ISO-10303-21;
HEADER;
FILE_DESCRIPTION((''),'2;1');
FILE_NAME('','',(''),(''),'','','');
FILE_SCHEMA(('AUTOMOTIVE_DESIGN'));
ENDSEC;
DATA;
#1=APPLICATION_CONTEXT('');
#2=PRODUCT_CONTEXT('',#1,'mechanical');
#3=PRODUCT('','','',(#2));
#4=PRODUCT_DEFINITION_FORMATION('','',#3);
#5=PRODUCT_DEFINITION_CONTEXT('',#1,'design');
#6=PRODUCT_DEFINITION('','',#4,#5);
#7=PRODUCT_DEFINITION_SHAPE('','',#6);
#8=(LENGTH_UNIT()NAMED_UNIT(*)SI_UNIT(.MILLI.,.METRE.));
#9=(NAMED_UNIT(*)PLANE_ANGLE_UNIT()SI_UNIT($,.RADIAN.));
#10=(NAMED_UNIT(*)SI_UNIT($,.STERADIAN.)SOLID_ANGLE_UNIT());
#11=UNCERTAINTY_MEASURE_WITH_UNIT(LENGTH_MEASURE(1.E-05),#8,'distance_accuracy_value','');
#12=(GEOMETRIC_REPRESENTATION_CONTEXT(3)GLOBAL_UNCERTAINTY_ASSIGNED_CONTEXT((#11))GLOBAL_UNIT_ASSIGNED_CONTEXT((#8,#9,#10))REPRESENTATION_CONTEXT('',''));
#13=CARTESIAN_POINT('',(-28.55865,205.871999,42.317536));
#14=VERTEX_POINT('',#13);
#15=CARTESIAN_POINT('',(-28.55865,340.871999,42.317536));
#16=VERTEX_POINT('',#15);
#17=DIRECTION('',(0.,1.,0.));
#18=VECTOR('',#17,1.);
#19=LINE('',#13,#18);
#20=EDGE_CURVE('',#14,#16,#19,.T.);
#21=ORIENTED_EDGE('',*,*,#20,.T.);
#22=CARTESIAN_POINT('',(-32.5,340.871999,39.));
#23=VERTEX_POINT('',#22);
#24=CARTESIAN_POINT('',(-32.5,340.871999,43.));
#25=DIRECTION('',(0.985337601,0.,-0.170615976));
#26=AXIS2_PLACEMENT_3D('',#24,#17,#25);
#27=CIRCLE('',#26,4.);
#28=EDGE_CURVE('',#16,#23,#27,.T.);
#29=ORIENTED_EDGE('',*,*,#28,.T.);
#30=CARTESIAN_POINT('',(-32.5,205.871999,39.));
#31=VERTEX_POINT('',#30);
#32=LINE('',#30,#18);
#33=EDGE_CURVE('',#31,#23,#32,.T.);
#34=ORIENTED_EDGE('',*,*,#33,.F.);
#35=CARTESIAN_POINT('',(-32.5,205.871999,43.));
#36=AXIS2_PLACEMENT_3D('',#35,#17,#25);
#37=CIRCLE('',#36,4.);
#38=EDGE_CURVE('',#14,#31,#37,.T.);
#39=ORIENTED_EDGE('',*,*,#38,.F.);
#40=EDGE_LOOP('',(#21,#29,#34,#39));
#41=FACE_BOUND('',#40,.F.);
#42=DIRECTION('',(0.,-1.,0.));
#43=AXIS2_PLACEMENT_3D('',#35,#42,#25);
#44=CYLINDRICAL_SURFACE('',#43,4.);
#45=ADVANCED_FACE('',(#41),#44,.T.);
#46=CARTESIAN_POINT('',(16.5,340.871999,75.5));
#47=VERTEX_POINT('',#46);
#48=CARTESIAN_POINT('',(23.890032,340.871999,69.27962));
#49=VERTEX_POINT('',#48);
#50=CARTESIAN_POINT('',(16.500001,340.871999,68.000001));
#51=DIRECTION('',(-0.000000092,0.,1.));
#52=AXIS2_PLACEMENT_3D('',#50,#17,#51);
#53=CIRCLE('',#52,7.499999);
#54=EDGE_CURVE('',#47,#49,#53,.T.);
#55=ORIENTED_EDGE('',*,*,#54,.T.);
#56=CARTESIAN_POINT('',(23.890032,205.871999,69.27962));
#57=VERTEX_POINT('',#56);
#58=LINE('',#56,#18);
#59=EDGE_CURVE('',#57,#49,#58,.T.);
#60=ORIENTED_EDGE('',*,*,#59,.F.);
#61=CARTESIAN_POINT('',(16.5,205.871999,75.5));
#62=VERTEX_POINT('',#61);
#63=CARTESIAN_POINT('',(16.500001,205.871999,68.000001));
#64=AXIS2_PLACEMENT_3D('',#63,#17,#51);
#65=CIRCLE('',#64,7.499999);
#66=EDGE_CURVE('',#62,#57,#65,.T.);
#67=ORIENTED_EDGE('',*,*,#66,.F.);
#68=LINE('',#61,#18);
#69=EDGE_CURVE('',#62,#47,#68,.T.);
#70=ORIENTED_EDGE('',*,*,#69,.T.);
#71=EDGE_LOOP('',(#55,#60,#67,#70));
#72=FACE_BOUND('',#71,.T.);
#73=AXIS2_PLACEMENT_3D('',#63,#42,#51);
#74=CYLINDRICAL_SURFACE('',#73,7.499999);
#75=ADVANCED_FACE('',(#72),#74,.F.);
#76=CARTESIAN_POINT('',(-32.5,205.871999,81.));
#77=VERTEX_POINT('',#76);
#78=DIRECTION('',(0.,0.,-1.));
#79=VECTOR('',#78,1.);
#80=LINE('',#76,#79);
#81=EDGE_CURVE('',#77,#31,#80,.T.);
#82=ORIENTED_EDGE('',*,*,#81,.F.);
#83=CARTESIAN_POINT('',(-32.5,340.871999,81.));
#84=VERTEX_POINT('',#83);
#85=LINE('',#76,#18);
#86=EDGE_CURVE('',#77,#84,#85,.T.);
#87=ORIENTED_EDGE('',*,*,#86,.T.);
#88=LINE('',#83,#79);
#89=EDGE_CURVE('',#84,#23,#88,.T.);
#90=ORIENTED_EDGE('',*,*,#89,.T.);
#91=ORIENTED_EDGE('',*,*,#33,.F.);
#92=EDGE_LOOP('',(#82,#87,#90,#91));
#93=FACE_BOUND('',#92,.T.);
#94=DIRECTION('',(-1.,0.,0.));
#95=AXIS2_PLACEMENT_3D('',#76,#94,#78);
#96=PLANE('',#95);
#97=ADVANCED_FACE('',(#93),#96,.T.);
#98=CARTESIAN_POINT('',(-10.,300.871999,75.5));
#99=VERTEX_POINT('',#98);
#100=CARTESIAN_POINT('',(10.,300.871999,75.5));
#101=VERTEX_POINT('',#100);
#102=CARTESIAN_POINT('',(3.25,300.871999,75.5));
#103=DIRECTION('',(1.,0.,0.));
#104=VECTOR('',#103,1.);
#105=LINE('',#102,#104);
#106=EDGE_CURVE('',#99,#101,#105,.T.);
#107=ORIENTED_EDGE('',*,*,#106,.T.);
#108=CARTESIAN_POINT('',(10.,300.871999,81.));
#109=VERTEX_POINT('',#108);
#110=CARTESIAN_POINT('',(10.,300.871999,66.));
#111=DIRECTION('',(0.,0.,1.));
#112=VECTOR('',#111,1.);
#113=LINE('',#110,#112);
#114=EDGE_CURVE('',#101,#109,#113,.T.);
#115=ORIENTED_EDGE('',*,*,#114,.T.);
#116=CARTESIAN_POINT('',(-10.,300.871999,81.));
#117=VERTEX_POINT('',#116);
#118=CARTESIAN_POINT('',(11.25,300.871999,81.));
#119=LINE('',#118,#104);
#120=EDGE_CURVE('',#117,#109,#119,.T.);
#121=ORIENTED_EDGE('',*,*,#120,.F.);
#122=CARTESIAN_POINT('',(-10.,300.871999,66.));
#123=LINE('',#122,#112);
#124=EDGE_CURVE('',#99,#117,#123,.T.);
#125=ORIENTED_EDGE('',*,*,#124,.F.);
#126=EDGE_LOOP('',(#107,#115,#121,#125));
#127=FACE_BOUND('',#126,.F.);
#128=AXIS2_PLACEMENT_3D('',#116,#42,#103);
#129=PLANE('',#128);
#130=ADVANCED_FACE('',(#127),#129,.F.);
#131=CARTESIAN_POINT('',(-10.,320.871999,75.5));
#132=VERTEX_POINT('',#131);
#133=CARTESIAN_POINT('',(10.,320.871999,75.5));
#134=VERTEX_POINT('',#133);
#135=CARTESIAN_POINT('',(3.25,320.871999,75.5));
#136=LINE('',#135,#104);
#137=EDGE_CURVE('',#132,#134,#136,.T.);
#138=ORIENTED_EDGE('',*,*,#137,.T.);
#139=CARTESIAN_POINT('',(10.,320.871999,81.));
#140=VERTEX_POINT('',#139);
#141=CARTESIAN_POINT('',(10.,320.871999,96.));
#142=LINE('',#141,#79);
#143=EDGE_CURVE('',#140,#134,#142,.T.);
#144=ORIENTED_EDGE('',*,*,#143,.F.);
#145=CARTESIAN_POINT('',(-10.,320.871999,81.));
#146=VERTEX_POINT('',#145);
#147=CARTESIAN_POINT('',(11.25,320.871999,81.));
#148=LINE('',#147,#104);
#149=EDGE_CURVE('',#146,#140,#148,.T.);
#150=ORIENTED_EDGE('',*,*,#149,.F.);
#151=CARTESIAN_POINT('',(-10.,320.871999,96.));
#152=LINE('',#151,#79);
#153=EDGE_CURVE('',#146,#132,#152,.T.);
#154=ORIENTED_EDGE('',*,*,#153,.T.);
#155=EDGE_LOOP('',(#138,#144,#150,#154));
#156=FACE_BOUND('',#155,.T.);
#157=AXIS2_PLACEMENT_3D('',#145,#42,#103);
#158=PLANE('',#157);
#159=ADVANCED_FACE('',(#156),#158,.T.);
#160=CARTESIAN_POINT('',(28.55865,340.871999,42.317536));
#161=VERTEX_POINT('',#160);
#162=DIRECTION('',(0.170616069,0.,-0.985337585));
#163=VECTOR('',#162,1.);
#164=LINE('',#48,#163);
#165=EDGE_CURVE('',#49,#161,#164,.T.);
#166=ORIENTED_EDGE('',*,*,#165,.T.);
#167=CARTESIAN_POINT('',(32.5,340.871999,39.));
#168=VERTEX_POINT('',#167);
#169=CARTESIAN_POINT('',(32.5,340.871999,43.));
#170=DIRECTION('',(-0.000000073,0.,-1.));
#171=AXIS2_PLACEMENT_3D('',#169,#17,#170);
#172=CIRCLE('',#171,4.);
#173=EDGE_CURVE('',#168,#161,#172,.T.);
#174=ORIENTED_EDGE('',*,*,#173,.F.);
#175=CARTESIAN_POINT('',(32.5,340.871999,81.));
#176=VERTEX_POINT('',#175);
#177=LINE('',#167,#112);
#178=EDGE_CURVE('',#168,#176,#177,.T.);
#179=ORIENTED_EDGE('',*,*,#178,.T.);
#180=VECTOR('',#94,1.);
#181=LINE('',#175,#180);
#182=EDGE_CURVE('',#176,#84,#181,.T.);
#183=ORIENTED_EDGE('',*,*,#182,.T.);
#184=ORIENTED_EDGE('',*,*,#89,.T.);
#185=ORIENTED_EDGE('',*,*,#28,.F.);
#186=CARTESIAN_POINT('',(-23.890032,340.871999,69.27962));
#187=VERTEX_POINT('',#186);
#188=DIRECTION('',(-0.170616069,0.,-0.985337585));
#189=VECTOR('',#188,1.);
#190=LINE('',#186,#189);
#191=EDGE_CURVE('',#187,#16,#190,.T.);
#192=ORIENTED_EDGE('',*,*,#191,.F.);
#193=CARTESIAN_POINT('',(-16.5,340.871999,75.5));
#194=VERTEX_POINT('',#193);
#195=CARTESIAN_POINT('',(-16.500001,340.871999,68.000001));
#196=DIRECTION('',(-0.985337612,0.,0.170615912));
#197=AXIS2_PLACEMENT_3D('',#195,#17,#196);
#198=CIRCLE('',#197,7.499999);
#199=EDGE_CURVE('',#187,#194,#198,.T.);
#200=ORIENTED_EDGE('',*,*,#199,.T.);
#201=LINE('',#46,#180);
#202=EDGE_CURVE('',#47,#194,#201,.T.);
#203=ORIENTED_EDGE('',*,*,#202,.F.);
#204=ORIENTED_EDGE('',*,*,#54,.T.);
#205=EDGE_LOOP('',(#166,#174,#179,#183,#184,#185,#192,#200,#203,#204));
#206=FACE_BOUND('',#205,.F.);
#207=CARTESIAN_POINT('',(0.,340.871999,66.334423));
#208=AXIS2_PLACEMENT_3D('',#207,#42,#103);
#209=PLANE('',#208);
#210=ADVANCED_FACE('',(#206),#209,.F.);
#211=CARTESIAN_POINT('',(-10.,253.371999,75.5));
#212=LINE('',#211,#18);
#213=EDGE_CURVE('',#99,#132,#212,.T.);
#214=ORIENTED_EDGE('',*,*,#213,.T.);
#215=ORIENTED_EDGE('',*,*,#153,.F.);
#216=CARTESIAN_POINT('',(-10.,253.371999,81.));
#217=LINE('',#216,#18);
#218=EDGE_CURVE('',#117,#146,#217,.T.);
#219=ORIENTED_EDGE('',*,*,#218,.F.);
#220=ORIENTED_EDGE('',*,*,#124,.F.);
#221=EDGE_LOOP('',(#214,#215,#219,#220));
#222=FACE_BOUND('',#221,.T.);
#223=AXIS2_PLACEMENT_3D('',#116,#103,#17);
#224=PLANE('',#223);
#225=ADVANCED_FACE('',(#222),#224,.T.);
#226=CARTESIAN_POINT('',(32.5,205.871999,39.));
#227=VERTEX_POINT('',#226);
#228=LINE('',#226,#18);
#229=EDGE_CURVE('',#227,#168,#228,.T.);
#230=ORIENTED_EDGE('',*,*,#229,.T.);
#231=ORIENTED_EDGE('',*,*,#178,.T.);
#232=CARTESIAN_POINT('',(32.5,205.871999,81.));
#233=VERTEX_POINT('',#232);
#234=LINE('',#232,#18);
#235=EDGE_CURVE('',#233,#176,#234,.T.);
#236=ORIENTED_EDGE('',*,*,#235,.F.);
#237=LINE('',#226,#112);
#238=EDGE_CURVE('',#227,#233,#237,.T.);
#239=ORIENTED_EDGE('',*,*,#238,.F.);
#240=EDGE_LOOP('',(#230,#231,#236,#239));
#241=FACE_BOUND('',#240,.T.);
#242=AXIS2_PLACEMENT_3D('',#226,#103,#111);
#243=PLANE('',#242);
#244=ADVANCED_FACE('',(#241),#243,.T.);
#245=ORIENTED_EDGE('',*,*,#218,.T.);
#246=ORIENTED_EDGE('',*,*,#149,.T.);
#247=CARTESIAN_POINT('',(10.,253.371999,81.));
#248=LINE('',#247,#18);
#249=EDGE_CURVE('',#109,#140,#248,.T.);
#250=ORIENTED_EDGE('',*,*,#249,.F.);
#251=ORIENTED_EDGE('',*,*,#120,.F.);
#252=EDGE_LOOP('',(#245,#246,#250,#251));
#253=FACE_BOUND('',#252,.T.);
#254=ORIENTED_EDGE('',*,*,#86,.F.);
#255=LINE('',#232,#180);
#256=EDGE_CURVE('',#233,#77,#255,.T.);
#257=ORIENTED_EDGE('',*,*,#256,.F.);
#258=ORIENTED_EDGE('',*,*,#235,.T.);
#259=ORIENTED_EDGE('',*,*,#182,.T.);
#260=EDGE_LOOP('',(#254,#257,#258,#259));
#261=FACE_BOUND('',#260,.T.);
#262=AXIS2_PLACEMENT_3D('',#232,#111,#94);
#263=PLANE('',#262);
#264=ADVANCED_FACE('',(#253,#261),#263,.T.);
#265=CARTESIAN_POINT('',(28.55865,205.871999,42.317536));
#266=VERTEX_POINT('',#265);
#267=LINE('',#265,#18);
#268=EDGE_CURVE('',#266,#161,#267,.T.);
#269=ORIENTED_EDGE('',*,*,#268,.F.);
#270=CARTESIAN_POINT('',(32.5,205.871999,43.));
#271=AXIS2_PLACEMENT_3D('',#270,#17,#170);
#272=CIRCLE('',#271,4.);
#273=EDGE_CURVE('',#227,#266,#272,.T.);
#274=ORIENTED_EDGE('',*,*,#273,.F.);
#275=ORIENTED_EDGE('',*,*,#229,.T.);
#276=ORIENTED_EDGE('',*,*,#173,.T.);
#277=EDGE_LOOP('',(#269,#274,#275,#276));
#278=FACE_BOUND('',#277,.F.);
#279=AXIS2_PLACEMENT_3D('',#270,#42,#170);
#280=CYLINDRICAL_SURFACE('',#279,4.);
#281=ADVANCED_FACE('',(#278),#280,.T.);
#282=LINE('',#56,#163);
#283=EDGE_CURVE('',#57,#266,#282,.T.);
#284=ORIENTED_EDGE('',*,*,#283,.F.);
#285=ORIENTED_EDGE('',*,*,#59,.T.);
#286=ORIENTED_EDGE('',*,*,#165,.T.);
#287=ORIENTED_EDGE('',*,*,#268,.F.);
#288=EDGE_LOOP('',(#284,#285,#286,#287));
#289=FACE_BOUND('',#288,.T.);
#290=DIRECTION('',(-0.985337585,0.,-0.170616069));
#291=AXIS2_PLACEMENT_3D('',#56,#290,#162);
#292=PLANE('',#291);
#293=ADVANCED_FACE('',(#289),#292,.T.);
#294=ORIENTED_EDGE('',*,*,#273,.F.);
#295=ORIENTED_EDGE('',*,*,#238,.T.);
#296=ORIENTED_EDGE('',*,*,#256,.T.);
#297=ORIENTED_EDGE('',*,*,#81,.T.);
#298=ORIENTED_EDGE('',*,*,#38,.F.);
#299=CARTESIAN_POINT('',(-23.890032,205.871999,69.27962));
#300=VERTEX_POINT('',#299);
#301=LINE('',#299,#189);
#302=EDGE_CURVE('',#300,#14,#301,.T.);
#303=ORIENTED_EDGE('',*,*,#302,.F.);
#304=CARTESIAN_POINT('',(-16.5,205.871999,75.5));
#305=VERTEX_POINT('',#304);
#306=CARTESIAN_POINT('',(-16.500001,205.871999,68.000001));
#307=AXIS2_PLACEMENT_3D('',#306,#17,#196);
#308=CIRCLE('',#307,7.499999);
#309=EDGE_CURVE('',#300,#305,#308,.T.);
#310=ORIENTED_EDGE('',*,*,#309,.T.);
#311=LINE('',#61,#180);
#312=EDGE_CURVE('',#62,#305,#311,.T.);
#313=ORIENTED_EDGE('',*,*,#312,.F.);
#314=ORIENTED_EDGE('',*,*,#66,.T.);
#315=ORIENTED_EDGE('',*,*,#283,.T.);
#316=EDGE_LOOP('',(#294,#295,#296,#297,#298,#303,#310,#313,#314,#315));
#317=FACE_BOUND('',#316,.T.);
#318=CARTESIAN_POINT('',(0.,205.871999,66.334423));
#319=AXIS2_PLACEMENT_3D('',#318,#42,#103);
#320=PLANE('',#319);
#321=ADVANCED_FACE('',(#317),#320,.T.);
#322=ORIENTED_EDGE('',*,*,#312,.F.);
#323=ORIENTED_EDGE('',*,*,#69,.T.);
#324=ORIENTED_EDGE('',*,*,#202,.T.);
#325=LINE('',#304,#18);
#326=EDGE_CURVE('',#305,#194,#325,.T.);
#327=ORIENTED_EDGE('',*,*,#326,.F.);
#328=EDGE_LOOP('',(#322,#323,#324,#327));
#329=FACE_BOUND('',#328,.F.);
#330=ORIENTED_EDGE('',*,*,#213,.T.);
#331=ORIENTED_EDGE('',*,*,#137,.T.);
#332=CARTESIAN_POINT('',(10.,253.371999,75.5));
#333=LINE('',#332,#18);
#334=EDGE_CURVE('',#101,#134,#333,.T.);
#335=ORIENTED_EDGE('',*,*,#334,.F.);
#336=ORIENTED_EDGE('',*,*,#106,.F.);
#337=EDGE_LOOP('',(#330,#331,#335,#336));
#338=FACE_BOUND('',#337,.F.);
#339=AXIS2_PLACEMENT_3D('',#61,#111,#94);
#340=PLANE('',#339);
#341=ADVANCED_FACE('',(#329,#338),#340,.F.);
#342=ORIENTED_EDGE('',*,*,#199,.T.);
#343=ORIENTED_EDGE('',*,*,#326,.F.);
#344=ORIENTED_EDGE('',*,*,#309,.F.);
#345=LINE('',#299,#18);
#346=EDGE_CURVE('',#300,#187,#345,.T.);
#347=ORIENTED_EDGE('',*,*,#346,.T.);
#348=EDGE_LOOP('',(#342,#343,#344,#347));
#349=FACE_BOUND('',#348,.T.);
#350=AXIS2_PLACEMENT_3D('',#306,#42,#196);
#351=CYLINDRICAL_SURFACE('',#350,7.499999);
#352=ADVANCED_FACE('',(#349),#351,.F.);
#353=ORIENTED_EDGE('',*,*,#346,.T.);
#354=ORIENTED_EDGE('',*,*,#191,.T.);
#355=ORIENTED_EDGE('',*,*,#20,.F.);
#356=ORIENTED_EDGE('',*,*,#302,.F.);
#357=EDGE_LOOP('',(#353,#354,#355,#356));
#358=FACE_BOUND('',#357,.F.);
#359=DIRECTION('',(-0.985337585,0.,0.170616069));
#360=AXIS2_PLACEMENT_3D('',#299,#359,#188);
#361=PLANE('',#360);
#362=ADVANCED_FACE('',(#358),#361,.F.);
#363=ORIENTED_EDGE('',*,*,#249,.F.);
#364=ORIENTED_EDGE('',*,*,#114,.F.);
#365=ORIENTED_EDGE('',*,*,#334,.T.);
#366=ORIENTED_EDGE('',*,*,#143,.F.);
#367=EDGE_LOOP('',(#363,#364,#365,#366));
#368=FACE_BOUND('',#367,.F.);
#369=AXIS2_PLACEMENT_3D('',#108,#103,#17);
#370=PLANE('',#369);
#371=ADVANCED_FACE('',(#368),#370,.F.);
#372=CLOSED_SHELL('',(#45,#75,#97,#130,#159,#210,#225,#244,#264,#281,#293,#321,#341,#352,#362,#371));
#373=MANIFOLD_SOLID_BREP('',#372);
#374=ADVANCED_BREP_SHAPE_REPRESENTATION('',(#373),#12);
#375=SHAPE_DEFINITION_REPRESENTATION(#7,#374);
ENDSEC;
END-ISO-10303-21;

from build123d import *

# Parameters (mm, degrees)
SKETCH011_W      = 20
SKETCH011_H      = 20
EXTRUDE012_DEPTH = 15
EXTRUDE011_DEPTH = 135


with BuildPart() as extrude012:
    # Sketch011 (on Face2 of Extrude011) → Extrude012 (new body, symmetric)
    with BuildSketch(Plane.XY.offset(81)):
        with Locations((0, 310.871999)):
            Rectangle(SKETCH011_W, SKETCH011_H)
    extrude(amount=EXTRUDE012_DEPTH, both=True)


with BuildPart() as u068:
    # Sketch013 (on Face6 of Extrude013) → Extrude011 (new body)
    with BuildSketch(Plane(origin=(0, 205.871999, 0), x_dir=(-1, 0, 0), z_dir=(0, 1, 0))):
        with BuildLine():
            Line((-32.5, 39), (-32.5, 81))
            Line((-32.5, 81), (32.5, 81))
            Line((32.5, 81), (32.5, 39))
            ThreePointArc((28.55865, 42.317536), (29.924137, 39.939783), (32.5, 39))
            Line((23.890032, 69.27962), (28.55865, 42.317536))
            ThreePointArc((23.890032, 69.27962), (21.329744, 73.737907), (16.5, 75.5))
            Line((-16.5, 75.5), (16.5, 75.5))
            ThreePointArc((-16.5, 75.5), (-21.329744, 73.737907), (-23.890032, 69.27962))
            Line((-23.890032, 69.27962), (-28.55865, 42.317536))
            ThreePointArc((-32.5, 39), (-29.924137, 39.939783), (-28.55865, 42.317536))
        make_face()
    extrude(amount=EXTRUDE011_DEPTH)

    # Cut004: cut Extrude012
    add(extrude012.part, mode=Mode.SUBTRACT)


solid = u068.part
